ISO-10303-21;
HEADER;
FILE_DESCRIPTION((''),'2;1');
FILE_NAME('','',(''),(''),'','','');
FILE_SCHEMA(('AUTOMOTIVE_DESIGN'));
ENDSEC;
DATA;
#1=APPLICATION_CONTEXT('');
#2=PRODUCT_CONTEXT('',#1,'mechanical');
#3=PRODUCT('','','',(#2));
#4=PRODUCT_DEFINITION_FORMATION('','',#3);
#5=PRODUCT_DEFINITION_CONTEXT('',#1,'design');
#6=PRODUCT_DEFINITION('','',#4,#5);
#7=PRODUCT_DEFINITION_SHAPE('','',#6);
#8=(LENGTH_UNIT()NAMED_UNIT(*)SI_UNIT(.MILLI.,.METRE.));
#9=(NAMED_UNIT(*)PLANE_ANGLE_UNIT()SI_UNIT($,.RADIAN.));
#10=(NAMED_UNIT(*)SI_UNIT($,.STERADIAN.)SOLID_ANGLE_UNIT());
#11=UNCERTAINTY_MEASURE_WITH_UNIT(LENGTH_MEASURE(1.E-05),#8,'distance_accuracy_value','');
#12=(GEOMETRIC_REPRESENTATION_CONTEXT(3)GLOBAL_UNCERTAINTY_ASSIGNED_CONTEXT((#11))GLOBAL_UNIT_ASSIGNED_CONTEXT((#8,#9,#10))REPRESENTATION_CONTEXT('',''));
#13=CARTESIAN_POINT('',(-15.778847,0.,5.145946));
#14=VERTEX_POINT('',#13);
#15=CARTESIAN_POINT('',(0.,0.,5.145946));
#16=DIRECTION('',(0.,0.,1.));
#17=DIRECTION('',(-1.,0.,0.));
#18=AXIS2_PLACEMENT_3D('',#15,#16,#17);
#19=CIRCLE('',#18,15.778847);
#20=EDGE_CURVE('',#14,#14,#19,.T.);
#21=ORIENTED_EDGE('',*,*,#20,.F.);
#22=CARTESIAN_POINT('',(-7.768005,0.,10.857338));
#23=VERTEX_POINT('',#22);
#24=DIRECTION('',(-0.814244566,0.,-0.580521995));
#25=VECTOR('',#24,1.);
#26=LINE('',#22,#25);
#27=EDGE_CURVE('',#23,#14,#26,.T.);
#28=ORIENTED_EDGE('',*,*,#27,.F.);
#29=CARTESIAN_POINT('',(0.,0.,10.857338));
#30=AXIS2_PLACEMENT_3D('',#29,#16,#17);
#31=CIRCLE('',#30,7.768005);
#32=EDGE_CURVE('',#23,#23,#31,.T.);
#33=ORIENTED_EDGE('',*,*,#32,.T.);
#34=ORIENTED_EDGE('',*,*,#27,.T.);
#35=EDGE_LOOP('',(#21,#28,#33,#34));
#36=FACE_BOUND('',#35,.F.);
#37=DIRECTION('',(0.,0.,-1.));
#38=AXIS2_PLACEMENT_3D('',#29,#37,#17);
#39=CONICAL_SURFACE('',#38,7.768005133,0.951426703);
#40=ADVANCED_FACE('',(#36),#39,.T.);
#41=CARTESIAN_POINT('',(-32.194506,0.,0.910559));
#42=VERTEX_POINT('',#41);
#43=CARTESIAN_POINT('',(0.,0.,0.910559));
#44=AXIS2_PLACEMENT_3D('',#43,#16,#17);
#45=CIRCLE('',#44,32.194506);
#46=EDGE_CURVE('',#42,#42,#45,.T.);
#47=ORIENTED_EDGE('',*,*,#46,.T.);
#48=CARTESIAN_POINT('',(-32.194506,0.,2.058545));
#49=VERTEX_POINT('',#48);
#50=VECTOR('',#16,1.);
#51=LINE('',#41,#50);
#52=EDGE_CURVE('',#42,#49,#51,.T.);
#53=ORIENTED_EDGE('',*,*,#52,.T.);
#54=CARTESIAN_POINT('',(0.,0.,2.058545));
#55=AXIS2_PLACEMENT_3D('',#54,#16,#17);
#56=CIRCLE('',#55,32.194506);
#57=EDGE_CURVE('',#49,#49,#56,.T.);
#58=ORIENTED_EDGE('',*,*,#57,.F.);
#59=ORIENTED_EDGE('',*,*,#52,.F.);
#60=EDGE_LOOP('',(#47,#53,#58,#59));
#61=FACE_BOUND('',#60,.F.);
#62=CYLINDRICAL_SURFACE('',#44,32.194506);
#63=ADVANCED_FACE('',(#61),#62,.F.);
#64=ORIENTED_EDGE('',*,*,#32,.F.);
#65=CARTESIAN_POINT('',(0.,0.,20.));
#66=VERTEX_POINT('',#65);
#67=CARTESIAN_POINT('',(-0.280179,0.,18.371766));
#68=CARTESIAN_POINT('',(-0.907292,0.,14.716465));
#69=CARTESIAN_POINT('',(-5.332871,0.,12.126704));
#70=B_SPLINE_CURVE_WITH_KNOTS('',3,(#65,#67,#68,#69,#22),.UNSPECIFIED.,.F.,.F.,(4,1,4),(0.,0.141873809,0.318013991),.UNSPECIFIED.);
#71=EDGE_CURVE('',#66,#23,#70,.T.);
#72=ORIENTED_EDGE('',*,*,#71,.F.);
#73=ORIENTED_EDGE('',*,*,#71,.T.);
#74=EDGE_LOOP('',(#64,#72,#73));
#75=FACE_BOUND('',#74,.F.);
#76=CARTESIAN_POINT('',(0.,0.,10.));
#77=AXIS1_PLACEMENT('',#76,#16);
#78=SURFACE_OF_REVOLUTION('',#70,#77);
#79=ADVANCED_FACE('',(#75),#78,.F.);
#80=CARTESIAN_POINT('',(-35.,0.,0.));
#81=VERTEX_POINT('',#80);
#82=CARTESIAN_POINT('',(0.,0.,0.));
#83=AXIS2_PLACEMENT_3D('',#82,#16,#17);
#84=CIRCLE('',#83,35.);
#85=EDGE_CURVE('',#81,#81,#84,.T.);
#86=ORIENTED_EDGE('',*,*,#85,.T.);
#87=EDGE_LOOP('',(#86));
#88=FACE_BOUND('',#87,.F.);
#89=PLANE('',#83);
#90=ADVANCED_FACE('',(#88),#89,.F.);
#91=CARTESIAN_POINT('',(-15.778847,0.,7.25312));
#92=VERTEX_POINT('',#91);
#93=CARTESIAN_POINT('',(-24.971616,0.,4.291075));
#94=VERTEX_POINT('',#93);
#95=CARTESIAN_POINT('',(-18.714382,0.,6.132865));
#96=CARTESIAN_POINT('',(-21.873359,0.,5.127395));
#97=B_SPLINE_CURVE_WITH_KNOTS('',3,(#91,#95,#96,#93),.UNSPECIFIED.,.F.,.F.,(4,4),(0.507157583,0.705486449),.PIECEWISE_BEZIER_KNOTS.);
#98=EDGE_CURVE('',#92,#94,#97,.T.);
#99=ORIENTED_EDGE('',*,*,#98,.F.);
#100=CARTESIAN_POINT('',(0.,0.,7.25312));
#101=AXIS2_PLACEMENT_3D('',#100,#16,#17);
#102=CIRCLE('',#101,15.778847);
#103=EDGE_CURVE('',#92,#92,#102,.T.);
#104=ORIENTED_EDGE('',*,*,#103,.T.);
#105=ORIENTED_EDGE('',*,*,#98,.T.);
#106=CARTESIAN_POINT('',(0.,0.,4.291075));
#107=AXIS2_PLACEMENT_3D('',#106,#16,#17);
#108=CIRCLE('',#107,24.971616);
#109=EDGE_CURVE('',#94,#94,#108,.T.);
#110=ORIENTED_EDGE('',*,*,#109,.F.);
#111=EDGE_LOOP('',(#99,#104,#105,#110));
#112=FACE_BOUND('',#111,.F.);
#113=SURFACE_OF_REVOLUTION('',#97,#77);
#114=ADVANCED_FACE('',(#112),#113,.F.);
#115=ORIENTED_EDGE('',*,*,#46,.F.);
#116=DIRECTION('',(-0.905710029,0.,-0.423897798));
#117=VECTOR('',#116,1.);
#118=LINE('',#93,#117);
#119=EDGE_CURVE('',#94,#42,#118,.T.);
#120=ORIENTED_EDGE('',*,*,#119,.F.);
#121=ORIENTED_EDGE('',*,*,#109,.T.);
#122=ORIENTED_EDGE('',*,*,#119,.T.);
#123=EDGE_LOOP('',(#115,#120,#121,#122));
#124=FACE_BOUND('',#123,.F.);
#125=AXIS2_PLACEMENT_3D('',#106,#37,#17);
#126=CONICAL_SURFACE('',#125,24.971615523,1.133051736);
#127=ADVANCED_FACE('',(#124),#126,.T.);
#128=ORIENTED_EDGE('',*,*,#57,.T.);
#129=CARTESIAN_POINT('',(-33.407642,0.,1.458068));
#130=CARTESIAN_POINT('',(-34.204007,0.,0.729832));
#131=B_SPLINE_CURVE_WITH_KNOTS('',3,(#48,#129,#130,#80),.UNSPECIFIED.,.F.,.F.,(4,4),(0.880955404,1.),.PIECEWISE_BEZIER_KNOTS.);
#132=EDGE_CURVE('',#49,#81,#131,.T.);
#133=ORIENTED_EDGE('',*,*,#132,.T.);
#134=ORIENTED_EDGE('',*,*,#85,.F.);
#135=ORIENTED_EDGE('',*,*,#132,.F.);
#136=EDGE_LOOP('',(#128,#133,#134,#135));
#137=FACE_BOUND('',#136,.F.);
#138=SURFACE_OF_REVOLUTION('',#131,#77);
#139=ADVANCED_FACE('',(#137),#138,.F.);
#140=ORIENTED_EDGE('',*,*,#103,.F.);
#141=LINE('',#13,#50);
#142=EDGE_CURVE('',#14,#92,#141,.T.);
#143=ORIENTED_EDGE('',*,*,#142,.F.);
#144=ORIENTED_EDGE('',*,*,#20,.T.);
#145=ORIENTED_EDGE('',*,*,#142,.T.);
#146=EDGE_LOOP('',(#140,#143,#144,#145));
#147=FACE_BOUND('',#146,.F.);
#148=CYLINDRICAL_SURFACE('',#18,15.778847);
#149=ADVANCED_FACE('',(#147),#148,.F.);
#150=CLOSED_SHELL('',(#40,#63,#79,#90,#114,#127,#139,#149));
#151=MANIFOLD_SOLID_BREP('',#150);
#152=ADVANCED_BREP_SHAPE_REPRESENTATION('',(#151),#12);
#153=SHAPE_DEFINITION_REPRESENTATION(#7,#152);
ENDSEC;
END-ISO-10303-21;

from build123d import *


with BuildPart() as f1:
    # F0 (on Front) → F1 (revolve)
    with BuildSketch(Plane.XZ):
        with BuildLine():
            Line((-35, 0), (0, 0))
            Line((0, 0), (0, 20))
            add(Edge.make_bspline(
                [(0, 20), (-0.2801790524, 18.3717661263), (-0.907291581, 14.7164651625), (-5.3328713961, 12.1267044184), (-7.7680051327, 10.8573380858)],
                knots=[0, 0, 0, 0, 0.1418738087, 0.3180139911, 0.3180139911, 0.3180139911, 0.3180139911], degree=3))
            Line((-7.7680051327, 10.8573380858), (-15.7788470387, 5.1459460519))
            Line((-15.7788470387, 5.1459460519), (-15.7788470387, 7.2531196959))
            add(Edge.make_bspline(
                [(-15.7788470387, 7.2531196959), (-18.7143819853, 6.1328650717), (-21.8733590032, 5.1273946562), (-24.9716155231, 4.2910752818)],
                knots=[0.5071575831, 0.5071575831, 0.5071575831, 0.5071575831, 0.7054864489, 0.7054864489, 0.7054864489, 0.7054864489], degree=3))
            Line((-24.9716155231, 4.2910752818), (-32.194506377, 0.9105589706))
            Line((-32.194506377, 0.9105589706), (-32.194506377, 2.0585448947))
            add(Edge.make_bspline(
                [(-32.194506377, 2.0585448947), (-33.4076422056, 1.4580678785), (-34.2040069868, 0.729831542), (-35, 0)],
                knots=[0.8809554045, 0.8809554045, 0.8809554045, 0.8809554045, 1, 1, 1, 1], degree=3))
        make_face()
    revolve(axis=Axis((0, 0, 10), (0, 0, 1)))


solid = f1.part
